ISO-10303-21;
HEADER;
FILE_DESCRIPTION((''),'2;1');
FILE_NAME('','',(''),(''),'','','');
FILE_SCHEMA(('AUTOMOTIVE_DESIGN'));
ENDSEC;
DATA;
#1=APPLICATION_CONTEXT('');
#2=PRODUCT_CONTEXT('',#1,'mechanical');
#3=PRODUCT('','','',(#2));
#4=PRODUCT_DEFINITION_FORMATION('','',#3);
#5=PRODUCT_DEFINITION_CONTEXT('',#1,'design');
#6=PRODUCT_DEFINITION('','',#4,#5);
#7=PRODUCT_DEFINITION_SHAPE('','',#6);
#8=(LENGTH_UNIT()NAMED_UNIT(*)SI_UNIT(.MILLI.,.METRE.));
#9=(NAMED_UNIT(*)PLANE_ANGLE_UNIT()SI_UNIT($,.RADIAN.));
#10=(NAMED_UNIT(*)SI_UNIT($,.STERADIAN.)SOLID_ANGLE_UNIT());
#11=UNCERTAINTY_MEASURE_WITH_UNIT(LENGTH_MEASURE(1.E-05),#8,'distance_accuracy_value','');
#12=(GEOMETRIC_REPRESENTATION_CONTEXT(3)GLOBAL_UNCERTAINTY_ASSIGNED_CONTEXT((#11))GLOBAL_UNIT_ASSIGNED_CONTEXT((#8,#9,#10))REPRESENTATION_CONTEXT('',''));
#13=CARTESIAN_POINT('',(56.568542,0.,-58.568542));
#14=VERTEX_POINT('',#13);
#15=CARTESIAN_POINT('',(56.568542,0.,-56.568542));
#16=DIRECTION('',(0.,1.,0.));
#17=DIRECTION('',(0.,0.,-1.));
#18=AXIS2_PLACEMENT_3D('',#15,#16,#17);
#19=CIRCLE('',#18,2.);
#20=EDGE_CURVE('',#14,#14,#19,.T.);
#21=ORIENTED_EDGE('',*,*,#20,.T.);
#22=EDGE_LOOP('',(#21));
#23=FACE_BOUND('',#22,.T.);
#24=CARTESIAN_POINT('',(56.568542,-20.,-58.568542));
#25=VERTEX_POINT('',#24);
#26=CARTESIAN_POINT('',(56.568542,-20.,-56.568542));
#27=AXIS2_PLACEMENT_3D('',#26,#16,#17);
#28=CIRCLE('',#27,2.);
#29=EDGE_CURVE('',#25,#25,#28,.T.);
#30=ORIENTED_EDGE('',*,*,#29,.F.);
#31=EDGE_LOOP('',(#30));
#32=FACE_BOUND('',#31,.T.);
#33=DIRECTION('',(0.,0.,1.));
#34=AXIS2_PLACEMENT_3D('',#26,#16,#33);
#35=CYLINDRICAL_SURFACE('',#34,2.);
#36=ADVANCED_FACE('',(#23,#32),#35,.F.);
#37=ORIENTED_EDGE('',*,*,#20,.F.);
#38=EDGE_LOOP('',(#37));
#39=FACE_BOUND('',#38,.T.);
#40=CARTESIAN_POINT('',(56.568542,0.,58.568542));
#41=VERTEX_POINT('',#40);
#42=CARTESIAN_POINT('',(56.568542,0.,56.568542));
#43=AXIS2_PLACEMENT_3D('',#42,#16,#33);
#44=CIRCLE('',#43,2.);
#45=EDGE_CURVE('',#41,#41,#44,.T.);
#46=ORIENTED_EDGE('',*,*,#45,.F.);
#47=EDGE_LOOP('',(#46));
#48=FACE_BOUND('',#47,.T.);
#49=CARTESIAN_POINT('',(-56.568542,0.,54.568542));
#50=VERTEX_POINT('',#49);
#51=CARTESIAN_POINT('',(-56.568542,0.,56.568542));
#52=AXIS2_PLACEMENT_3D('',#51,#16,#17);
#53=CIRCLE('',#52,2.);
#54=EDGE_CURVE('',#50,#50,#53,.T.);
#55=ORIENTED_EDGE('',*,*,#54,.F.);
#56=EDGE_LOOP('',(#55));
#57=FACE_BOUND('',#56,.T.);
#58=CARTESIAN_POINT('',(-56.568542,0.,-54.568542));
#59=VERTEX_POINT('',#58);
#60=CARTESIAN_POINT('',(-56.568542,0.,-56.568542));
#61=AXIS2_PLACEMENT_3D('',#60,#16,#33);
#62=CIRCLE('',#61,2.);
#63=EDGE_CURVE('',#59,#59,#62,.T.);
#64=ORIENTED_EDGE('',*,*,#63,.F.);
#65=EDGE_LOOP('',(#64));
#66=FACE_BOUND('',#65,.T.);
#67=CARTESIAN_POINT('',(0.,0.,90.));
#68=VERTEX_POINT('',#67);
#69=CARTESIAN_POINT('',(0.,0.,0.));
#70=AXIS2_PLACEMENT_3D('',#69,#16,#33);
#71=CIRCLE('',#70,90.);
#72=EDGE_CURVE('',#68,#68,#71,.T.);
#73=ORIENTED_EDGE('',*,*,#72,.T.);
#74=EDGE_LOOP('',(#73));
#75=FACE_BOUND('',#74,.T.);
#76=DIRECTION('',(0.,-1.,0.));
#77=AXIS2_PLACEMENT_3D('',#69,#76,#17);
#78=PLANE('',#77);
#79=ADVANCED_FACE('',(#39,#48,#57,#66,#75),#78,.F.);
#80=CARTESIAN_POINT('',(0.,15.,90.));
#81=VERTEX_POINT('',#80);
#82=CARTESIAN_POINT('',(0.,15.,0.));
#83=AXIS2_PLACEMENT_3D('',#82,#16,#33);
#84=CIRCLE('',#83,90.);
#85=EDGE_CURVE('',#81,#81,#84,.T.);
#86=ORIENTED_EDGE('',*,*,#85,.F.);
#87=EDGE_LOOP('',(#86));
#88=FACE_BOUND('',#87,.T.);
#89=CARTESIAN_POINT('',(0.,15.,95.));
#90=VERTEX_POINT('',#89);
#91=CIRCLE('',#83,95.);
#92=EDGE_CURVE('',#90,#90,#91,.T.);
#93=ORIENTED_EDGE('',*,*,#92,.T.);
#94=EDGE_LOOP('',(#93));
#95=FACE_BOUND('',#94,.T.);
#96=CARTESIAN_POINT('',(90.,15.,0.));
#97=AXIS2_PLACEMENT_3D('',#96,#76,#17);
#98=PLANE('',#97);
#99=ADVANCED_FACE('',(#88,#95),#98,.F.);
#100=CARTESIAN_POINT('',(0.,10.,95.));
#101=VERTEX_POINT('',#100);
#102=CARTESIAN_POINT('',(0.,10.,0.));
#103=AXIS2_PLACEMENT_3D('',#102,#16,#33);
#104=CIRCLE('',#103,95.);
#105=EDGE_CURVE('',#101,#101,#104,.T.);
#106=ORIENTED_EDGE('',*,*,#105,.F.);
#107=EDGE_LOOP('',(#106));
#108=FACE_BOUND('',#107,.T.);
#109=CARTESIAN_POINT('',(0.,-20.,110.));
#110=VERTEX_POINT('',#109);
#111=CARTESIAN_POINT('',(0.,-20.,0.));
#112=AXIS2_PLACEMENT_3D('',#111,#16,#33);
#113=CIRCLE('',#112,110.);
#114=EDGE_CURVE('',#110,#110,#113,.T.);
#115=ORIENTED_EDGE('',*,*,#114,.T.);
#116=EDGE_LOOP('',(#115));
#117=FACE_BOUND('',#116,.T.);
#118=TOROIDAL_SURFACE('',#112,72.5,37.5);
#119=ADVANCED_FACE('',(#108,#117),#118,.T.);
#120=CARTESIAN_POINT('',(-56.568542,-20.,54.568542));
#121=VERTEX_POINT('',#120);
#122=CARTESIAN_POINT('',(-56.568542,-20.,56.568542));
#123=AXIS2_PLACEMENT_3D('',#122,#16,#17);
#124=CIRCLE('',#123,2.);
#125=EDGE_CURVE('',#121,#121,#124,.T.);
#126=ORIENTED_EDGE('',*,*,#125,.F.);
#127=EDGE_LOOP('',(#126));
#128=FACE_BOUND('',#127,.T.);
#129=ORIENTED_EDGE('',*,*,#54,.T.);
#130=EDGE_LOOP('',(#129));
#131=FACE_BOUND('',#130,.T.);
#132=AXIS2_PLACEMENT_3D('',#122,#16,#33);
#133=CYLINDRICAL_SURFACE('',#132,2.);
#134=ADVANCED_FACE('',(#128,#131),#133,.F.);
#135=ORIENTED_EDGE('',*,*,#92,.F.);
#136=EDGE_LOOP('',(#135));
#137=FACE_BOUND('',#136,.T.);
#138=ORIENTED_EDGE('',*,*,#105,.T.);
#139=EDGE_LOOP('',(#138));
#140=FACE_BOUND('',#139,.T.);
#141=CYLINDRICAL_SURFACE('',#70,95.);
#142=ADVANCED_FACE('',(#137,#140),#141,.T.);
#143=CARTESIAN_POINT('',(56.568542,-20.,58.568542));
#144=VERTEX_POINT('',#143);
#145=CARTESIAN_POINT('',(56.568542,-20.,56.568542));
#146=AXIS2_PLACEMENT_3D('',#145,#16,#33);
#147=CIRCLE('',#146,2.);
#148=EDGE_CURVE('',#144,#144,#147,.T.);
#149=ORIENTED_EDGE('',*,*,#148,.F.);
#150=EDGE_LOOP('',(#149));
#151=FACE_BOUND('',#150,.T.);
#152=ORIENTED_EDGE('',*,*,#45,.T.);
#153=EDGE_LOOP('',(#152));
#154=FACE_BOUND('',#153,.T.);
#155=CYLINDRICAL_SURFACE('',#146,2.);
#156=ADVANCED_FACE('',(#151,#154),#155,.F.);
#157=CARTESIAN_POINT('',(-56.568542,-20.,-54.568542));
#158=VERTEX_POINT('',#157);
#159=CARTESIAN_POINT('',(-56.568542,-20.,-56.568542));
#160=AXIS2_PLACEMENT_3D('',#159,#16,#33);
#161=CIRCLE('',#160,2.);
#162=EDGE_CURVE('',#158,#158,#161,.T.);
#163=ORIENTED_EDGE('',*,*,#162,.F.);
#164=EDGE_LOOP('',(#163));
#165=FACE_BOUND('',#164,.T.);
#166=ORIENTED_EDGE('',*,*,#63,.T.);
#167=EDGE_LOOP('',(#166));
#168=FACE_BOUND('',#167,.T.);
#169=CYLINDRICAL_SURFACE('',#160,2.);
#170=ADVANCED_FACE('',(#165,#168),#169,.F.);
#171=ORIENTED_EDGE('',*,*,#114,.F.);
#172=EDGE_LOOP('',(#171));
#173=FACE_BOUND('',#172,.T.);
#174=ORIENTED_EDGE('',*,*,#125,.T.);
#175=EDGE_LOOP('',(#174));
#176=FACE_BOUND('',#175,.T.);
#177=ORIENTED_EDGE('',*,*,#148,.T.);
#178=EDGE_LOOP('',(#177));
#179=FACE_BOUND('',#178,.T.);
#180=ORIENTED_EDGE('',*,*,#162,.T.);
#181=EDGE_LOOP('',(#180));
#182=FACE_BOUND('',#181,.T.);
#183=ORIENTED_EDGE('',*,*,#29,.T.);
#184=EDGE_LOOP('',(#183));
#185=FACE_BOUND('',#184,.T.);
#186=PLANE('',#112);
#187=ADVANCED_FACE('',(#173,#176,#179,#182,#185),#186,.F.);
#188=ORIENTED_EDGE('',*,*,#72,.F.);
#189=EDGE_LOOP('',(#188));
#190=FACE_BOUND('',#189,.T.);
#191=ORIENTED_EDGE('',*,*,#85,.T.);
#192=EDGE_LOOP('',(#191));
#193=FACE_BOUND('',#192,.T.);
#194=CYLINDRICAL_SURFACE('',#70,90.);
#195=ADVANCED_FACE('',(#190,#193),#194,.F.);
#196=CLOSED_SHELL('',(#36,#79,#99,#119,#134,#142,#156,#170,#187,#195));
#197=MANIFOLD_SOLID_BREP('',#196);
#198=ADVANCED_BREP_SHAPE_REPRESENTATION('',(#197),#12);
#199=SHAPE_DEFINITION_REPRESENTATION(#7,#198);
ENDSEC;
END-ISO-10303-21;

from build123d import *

# Parameters (mm, degrees)
SKETCH1_R          = 2
CUT_EXTRUDE1_DEPTH = 21


with BuildPart() as part:
    # Sketch2 → Revolve1 (revolve)
    with BuildSketch(Plane.XY):
        with BuildLine():
            Line((90, 0), (90, 15))
            Line((90, 15), (95, 15))
            Line((95, 15), (95, 10))
            ThreePointArc((95, 10), (106.041019662, -3.229490169), (110, -20))
            Line((110, -20), (0, -20))
            Line((0, -20), (0, 0))
            Line((0, 0), (90, 0))
        make_face()
    revolve(axis=Axis((0, 0, 0), (0, -1, 0)))

    # Sketch1 → Cut-Extrude1 (cut, through all)
    with BuildSketch(Plane(origin=(0, 0, 0), x_dir=(1, 0, 0), z_dir=(0, 1, 0))):
        with Locations((-56.568542495, 56.568542495)):
            Circle(SKETCH1_R)
        with Locations((-56.568542495, -56.568542495)):
            Circle(SKETCH1_R)
        with Locations((56.568542495, 56.568542495)):
            Circle(SKETCH1_R)
        with Locations((56.568542495, -56.568542495)):
            Circle(SKETCH1_R)
    extrude(amount=-CUT_EXTRUDE1_DEPTH, mode=Mode.SUBTRACT)


solid = part.part
